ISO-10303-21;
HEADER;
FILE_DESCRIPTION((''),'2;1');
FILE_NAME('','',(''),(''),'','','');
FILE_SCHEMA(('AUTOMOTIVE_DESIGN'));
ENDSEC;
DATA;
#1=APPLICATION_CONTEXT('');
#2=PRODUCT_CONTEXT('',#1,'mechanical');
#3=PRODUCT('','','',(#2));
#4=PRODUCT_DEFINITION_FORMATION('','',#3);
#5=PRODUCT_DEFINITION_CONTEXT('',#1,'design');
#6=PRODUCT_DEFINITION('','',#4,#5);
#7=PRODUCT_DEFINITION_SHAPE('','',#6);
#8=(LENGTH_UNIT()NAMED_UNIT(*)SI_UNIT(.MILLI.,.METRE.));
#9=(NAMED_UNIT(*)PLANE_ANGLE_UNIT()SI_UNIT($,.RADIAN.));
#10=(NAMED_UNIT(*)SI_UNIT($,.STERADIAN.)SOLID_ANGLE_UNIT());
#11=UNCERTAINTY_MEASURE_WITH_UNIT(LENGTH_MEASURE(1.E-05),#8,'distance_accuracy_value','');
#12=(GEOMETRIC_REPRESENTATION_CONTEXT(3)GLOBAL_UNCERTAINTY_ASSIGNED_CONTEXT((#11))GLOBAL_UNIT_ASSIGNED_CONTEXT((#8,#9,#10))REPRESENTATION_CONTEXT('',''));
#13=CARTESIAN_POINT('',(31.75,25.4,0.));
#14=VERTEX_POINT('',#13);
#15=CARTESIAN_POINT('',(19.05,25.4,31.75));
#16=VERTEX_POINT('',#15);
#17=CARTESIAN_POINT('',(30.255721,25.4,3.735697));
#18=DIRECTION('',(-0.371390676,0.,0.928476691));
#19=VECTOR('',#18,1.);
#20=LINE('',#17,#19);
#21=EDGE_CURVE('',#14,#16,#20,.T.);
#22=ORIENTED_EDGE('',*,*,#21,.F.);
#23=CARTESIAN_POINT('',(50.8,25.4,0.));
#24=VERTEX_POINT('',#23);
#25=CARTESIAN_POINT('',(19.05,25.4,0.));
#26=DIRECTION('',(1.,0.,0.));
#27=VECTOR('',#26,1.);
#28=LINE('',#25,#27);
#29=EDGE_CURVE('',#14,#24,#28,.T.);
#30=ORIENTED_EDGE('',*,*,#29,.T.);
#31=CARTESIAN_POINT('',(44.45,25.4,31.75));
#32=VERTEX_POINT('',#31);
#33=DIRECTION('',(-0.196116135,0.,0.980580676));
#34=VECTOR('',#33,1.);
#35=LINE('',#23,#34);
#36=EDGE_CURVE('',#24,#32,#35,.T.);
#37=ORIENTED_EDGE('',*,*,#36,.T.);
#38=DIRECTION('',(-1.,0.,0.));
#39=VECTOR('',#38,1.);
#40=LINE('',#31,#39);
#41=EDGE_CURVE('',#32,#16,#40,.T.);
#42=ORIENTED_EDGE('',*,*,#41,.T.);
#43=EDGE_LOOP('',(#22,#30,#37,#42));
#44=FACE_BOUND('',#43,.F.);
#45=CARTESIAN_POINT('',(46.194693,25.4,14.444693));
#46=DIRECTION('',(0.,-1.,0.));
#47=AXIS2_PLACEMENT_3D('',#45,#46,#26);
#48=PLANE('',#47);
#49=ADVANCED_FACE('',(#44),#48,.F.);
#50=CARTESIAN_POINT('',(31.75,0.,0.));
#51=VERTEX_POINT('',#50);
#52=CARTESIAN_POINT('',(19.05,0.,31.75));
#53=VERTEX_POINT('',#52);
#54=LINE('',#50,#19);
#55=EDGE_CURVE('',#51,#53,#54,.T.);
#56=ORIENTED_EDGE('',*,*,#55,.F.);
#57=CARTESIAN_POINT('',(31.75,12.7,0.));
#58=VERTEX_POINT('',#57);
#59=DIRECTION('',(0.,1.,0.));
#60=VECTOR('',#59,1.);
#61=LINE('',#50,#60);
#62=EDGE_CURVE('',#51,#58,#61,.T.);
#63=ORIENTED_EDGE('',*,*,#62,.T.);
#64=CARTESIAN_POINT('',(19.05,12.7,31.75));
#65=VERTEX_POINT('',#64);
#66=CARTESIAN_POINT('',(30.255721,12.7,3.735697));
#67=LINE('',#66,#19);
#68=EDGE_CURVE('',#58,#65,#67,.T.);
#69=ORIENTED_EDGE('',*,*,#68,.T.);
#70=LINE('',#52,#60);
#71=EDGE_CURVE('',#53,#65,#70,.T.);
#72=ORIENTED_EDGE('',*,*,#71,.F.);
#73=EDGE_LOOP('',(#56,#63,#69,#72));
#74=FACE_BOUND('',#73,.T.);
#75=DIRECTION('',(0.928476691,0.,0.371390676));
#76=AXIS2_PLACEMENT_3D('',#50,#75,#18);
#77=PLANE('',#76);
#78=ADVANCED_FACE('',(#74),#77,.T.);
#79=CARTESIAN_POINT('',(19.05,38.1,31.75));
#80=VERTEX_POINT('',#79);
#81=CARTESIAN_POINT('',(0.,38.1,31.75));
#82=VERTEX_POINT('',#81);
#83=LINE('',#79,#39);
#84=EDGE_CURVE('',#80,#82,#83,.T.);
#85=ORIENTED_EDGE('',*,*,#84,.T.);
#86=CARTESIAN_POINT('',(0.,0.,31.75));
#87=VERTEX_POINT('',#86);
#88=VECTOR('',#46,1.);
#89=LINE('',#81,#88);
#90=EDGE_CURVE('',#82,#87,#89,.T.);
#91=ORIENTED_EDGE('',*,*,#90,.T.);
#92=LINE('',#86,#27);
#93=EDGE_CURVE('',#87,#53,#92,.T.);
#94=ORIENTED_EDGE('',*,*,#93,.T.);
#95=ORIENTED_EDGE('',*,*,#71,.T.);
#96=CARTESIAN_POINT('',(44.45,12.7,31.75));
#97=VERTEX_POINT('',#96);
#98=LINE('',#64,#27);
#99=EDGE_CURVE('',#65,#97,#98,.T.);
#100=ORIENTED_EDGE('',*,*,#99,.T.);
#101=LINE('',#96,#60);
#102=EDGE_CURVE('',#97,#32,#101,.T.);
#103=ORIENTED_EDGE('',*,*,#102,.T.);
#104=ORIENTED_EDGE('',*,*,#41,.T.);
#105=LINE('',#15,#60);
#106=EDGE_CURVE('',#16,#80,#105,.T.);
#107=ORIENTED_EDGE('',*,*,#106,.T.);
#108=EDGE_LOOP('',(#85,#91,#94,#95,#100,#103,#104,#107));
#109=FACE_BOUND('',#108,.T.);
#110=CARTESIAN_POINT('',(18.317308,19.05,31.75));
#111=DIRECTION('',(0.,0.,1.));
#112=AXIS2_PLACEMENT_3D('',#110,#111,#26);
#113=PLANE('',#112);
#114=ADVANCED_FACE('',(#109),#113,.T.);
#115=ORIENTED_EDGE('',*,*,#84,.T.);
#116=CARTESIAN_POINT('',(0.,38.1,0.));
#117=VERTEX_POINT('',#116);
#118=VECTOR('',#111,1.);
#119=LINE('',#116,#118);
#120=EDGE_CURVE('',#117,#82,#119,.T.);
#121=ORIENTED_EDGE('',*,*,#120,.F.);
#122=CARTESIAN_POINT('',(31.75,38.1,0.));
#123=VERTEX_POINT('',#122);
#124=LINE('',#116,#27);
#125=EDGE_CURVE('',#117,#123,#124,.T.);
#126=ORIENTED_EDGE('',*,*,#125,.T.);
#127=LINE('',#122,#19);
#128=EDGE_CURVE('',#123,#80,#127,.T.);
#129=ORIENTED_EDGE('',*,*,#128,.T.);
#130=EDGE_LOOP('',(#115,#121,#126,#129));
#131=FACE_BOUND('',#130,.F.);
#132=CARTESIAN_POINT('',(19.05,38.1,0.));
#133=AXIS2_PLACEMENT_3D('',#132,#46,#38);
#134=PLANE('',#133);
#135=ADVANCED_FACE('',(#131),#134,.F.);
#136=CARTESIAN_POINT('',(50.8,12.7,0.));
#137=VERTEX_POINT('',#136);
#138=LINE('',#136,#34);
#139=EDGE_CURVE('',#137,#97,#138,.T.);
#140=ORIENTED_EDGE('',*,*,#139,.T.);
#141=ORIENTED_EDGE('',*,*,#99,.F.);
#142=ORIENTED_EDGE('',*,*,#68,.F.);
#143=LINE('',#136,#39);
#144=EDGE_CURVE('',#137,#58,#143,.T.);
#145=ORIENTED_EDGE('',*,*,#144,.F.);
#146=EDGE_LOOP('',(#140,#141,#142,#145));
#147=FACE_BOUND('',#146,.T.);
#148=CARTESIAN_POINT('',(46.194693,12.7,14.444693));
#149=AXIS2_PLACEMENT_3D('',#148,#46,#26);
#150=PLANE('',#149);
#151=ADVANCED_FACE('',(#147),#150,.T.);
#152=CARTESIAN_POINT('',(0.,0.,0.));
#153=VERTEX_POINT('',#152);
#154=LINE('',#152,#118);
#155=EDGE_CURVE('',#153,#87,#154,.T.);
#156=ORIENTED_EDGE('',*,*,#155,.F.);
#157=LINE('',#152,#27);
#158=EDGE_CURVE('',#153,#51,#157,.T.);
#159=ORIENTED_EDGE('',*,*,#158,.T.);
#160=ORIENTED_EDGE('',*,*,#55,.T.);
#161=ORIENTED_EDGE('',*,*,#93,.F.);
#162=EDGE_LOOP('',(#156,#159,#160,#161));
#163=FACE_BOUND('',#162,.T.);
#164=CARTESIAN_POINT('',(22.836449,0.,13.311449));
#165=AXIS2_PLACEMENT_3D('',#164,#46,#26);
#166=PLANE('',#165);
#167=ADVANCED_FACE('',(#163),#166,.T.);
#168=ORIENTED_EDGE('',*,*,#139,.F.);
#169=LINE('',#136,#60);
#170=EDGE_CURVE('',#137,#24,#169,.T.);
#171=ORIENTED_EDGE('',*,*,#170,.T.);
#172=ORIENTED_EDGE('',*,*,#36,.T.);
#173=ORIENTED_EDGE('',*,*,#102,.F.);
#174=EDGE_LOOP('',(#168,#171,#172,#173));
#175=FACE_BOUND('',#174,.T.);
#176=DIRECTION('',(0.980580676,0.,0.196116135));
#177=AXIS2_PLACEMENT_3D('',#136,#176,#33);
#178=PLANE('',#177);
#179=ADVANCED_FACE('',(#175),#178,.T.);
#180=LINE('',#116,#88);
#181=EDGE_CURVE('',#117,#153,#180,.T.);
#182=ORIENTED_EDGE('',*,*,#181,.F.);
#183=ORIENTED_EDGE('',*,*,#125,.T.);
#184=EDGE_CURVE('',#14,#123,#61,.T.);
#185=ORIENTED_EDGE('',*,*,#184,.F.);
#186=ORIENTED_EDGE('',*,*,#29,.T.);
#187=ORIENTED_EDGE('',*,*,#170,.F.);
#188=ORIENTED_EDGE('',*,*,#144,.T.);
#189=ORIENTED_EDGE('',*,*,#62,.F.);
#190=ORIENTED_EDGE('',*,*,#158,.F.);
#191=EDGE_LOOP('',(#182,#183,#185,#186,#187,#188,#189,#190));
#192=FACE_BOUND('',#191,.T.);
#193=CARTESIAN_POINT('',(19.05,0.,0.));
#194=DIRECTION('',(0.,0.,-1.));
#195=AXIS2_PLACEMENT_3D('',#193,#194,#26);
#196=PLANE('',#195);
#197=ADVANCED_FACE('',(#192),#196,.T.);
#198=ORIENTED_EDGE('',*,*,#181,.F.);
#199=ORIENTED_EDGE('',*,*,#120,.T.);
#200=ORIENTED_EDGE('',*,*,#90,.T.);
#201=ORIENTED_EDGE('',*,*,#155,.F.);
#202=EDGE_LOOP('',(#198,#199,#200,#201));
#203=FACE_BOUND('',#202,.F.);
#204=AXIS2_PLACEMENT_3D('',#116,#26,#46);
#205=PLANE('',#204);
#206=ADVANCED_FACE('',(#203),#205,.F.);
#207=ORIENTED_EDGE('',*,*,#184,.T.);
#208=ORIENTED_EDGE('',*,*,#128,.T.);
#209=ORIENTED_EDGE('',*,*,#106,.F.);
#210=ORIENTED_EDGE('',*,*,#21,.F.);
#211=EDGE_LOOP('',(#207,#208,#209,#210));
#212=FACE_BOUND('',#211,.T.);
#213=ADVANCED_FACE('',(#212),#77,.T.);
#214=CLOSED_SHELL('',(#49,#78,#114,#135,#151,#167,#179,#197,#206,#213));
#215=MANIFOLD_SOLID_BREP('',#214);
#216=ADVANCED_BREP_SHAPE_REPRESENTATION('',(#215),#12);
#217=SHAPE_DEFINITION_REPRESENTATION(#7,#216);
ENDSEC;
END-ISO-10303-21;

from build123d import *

# Parameters (mm, degrees)
F1_DEPTH = 31.75
F3_DEPTH = 12.7
F5_DEPTH = 38.1


with BuildPart() as f1:
    # F0 (on Top) → F1 (new body)
    with BuildSketch(Plane.XY):
        Polygon((0, 38.1), (0, 0), (19.05, 0), (19.05, 12.7), (44.45, 12.7), (44.45, 25.4), (19.05, 25.4), (19.05, 38.1), align=None)
    extrude(amount=F1_DEPTH)

    # F2 (on face) → F3 (join)
    with BuildSketch(Plane.XZ.offset(-12.7)):
        Polygon((50.8, 0), (44.45, 31.75), (44.45, 0), align=None)
    extrude(amount=-F3_DEPTH)

    # F4 (on face) → F5 (join)
    with BuildSketch(Plane.XZ):
        Polygon((31.75, 0), (19.05, 31.75), (19.05, 0), align=None)
    extrude(amount=-F5_DEPTH)


solid = f1.part
